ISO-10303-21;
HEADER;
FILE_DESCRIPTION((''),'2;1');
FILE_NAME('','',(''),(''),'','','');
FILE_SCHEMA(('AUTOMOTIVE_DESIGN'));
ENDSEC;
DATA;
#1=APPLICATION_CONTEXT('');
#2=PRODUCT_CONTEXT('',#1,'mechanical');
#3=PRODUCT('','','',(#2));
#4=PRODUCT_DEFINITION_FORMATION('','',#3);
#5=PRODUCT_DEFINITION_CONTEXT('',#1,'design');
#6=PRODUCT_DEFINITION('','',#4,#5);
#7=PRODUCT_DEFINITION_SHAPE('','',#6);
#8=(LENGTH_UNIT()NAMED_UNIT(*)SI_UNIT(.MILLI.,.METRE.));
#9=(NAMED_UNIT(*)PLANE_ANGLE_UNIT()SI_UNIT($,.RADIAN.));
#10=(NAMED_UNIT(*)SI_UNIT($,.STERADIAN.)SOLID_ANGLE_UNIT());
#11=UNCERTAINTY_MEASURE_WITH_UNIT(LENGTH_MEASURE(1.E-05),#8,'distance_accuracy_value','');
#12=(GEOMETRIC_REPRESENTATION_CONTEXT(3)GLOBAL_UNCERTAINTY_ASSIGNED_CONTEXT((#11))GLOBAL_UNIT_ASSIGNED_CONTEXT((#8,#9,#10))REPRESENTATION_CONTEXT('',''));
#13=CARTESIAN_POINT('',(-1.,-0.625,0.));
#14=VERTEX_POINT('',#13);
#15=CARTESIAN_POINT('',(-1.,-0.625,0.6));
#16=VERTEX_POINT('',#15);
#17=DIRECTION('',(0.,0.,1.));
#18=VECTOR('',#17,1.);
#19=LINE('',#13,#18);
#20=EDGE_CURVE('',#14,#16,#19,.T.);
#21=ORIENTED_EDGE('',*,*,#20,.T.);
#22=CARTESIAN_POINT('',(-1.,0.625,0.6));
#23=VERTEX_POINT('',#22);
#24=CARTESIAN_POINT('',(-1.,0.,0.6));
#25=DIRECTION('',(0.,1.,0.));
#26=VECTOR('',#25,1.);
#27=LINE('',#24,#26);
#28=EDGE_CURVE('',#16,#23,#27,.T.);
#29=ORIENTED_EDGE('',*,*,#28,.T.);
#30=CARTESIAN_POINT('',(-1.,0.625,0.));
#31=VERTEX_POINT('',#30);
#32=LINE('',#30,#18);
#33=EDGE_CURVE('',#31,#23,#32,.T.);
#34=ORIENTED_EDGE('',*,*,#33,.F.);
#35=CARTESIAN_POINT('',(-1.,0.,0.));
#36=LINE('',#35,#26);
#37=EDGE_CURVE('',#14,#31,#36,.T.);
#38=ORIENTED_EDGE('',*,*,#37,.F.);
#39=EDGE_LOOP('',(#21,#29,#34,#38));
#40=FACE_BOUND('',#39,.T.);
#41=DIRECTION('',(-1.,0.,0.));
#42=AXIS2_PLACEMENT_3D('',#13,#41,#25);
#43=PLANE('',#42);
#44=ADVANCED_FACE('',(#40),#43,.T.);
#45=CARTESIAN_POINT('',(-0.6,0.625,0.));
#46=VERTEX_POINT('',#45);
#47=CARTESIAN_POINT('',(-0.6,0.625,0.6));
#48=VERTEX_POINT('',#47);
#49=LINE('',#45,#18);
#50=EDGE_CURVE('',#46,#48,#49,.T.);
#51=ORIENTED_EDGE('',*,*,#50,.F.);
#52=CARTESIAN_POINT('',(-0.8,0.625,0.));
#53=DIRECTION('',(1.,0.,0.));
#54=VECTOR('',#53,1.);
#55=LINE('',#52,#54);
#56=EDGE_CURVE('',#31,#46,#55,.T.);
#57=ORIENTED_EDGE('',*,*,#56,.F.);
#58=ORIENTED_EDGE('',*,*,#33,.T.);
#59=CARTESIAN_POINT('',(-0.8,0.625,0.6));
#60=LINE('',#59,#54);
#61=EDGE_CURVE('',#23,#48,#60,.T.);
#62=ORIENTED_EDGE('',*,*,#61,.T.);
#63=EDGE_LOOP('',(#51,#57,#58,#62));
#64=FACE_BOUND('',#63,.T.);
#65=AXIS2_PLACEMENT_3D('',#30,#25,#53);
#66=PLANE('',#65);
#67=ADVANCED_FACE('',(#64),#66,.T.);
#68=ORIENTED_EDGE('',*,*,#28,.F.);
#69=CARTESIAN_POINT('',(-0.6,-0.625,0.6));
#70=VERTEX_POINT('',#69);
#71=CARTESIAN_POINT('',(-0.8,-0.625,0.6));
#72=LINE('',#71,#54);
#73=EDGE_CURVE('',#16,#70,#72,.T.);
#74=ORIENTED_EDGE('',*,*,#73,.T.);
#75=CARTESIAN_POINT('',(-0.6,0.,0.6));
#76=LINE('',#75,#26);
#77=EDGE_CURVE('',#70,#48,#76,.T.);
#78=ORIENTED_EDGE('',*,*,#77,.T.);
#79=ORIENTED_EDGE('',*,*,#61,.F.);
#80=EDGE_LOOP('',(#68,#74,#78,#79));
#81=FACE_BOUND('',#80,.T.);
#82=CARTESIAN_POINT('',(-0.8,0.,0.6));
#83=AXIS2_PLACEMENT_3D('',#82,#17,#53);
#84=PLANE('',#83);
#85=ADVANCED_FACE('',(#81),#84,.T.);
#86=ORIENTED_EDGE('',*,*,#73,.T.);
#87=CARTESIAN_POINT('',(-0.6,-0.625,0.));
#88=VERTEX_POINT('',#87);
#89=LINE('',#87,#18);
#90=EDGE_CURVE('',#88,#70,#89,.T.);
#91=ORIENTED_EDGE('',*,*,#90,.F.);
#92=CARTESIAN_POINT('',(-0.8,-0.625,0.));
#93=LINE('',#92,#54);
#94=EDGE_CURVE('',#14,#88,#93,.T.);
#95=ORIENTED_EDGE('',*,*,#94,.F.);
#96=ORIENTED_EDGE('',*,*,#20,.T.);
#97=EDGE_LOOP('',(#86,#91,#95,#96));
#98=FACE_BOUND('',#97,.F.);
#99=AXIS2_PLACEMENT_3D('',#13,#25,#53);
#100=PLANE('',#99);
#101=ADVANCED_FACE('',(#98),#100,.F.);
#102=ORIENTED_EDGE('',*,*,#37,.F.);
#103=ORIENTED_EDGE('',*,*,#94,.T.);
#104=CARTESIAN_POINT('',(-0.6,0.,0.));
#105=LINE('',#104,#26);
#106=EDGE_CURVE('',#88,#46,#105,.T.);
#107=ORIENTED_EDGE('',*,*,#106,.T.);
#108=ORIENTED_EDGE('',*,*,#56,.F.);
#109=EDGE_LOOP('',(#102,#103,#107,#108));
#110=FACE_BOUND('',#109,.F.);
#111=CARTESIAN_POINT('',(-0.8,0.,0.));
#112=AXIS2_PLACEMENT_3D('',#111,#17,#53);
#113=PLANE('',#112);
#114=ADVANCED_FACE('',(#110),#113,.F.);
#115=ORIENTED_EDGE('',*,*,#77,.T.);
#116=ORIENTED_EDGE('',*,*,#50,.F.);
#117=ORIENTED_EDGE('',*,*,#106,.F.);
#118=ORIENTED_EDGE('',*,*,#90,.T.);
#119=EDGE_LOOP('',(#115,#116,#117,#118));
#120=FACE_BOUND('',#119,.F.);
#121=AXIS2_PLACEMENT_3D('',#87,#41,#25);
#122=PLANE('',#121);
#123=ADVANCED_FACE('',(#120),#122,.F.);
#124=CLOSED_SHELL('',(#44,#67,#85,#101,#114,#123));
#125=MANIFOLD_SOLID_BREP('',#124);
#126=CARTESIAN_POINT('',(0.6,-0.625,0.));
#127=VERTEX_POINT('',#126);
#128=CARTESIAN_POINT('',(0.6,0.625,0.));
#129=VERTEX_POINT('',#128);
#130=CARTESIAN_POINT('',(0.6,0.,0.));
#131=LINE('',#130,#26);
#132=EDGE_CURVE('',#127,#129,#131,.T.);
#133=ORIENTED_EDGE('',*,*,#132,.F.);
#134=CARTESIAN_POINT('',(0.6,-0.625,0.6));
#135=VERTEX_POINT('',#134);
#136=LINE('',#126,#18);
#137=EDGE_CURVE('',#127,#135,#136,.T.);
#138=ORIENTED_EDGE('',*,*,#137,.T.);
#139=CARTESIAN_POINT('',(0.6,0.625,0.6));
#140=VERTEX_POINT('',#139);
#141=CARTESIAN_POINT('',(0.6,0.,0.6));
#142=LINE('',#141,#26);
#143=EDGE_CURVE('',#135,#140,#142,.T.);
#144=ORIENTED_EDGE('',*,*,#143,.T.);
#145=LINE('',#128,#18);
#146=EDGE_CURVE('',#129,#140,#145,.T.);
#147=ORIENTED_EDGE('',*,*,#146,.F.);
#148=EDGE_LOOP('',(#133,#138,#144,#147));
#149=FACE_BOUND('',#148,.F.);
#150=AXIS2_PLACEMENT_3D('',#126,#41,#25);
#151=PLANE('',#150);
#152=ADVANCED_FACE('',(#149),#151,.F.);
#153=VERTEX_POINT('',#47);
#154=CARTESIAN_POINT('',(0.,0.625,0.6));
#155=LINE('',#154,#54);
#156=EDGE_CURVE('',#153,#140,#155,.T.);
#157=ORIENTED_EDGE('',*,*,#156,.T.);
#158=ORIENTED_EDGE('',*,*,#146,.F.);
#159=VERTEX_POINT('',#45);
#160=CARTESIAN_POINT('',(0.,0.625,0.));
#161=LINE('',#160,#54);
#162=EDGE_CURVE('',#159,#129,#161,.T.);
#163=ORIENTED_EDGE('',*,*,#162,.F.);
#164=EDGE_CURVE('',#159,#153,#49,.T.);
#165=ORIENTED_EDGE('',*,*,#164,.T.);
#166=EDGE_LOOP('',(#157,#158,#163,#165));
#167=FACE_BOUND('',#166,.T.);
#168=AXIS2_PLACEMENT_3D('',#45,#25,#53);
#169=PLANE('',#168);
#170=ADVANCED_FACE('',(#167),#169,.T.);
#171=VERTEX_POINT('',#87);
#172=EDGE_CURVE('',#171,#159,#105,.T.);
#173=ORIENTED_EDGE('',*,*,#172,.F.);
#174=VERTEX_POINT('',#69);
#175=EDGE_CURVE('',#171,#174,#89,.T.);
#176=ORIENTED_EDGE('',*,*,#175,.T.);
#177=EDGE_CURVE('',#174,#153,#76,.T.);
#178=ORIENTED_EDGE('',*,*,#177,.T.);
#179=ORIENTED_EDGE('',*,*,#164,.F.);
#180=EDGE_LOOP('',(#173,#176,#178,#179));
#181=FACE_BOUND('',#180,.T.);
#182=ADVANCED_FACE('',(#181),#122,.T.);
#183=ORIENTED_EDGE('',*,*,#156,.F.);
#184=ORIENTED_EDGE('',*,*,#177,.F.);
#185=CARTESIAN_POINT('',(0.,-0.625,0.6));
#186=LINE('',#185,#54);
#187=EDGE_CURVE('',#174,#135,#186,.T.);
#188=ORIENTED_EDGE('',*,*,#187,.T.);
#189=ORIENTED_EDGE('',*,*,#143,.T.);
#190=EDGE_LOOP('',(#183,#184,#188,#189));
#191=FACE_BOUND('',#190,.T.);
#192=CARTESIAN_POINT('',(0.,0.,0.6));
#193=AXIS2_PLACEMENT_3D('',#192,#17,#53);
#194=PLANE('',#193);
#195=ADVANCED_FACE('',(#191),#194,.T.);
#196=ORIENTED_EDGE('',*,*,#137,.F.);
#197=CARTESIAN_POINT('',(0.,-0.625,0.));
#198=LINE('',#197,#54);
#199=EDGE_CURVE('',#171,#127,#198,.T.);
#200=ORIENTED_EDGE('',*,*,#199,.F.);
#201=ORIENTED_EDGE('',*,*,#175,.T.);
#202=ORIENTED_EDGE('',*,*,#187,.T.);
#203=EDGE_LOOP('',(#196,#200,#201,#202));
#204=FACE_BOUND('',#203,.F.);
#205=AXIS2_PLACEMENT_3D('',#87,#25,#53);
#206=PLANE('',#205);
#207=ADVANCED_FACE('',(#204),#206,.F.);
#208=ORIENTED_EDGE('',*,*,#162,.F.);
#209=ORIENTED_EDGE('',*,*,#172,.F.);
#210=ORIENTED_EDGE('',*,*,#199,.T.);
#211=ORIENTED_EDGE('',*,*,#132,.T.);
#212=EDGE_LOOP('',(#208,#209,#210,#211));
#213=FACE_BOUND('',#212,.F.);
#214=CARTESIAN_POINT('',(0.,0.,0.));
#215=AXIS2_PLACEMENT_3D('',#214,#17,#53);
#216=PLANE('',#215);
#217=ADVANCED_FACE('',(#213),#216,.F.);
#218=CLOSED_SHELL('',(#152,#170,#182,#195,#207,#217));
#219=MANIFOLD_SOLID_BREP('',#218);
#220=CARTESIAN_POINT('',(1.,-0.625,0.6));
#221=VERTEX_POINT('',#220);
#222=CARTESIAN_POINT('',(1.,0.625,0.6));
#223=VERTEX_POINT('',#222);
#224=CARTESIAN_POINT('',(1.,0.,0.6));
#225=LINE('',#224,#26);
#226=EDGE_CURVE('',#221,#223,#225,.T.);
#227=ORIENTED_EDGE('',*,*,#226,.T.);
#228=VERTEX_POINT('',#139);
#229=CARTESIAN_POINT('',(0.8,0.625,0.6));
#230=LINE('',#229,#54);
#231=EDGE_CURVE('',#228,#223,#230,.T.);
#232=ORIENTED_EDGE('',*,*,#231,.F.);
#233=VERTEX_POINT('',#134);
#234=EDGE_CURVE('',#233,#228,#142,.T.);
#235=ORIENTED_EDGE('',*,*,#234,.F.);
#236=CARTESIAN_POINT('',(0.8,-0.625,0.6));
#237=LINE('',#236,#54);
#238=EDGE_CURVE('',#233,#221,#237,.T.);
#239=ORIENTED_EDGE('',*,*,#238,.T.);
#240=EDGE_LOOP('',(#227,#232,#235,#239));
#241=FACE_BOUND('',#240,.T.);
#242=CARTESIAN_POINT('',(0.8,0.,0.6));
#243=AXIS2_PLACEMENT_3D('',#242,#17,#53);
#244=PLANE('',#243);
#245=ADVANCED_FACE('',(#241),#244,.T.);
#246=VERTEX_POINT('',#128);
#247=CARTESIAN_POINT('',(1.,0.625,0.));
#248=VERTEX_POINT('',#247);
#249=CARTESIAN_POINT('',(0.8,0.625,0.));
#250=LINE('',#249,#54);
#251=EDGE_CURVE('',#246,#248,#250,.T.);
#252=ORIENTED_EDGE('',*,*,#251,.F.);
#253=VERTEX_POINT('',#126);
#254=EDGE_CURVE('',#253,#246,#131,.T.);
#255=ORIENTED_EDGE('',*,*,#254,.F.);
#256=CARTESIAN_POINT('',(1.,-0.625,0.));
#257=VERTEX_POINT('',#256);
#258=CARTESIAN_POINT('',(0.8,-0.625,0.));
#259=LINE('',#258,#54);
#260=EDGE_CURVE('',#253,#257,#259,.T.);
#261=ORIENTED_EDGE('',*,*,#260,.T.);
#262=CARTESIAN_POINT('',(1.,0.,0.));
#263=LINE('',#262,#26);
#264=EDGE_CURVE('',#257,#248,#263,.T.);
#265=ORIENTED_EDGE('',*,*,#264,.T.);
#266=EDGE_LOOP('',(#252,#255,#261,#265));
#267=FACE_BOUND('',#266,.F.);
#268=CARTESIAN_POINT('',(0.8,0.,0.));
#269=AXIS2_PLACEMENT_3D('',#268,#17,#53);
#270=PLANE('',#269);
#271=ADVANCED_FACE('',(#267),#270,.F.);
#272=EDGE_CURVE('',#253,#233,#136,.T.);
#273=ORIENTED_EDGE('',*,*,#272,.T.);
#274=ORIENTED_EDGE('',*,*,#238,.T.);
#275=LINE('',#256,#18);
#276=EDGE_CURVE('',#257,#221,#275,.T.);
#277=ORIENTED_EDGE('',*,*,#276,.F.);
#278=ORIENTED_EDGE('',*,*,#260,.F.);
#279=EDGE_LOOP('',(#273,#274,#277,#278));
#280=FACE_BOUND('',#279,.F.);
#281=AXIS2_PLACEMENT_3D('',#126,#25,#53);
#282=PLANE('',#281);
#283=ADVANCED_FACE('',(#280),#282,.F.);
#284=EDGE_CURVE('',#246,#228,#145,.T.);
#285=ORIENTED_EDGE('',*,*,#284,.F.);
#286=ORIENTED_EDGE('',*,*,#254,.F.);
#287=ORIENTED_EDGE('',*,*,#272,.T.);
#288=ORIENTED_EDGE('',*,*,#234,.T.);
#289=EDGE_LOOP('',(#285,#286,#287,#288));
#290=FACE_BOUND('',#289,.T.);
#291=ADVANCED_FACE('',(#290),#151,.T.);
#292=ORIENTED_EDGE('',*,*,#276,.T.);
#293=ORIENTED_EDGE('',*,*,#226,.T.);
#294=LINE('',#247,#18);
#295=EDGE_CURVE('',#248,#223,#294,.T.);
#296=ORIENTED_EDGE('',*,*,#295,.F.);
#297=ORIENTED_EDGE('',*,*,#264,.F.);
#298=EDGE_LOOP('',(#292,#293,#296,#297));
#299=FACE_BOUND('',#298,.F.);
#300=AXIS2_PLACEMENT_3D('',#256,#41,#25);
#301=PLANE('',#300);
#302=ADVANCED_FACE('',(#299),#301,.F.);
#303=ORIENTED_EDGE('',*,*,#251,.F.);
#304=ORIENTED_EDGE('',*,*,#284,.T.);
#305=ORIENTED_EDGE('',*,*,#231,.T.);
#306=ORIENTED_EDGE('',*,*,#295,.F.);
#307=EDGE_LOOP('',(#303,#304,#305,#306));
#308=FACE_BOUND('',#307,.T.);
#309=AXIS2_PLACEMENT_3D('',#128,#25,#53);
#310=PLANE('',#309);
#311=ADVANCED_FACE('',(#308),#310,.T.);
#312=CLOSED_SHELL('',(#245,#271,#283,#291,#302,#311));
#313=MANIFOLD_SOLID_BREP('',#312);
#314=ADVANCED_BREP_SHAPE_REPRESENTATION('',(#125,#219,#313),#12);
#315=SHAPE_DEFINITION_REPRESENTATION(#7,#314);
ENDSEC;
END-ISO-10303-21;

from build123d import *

# Parameters (mm, degrees)
F0_W     = 1.2
F0_H     = 1.25
F1_DEPTH = 0.6
F0_W_2   = 0.4
F2_DEPTH = 0.6


with BuildPart() as f1:
    # F0 (on Top) → F1 (new body)
    with BuildSketch(Plane.XY):
        Rectangle(F0_W, F0_H)
    extrude(amount=F1_DEPTH)


with BuildPart() as f2:
    # F0 (on Top) → F2 (new body, through all)
    with BuildSketch(Plane.XY):
        with Locations((-0.8, 0)):
            Rectangle(F0_W_2, F0_H)
        with Locations((0.8, 0)):
            Rectangle(F0_W_2, F0_H)
    extrude(amount=F2_DEPTH)


solid = Compound([f1.part, f2.part])
